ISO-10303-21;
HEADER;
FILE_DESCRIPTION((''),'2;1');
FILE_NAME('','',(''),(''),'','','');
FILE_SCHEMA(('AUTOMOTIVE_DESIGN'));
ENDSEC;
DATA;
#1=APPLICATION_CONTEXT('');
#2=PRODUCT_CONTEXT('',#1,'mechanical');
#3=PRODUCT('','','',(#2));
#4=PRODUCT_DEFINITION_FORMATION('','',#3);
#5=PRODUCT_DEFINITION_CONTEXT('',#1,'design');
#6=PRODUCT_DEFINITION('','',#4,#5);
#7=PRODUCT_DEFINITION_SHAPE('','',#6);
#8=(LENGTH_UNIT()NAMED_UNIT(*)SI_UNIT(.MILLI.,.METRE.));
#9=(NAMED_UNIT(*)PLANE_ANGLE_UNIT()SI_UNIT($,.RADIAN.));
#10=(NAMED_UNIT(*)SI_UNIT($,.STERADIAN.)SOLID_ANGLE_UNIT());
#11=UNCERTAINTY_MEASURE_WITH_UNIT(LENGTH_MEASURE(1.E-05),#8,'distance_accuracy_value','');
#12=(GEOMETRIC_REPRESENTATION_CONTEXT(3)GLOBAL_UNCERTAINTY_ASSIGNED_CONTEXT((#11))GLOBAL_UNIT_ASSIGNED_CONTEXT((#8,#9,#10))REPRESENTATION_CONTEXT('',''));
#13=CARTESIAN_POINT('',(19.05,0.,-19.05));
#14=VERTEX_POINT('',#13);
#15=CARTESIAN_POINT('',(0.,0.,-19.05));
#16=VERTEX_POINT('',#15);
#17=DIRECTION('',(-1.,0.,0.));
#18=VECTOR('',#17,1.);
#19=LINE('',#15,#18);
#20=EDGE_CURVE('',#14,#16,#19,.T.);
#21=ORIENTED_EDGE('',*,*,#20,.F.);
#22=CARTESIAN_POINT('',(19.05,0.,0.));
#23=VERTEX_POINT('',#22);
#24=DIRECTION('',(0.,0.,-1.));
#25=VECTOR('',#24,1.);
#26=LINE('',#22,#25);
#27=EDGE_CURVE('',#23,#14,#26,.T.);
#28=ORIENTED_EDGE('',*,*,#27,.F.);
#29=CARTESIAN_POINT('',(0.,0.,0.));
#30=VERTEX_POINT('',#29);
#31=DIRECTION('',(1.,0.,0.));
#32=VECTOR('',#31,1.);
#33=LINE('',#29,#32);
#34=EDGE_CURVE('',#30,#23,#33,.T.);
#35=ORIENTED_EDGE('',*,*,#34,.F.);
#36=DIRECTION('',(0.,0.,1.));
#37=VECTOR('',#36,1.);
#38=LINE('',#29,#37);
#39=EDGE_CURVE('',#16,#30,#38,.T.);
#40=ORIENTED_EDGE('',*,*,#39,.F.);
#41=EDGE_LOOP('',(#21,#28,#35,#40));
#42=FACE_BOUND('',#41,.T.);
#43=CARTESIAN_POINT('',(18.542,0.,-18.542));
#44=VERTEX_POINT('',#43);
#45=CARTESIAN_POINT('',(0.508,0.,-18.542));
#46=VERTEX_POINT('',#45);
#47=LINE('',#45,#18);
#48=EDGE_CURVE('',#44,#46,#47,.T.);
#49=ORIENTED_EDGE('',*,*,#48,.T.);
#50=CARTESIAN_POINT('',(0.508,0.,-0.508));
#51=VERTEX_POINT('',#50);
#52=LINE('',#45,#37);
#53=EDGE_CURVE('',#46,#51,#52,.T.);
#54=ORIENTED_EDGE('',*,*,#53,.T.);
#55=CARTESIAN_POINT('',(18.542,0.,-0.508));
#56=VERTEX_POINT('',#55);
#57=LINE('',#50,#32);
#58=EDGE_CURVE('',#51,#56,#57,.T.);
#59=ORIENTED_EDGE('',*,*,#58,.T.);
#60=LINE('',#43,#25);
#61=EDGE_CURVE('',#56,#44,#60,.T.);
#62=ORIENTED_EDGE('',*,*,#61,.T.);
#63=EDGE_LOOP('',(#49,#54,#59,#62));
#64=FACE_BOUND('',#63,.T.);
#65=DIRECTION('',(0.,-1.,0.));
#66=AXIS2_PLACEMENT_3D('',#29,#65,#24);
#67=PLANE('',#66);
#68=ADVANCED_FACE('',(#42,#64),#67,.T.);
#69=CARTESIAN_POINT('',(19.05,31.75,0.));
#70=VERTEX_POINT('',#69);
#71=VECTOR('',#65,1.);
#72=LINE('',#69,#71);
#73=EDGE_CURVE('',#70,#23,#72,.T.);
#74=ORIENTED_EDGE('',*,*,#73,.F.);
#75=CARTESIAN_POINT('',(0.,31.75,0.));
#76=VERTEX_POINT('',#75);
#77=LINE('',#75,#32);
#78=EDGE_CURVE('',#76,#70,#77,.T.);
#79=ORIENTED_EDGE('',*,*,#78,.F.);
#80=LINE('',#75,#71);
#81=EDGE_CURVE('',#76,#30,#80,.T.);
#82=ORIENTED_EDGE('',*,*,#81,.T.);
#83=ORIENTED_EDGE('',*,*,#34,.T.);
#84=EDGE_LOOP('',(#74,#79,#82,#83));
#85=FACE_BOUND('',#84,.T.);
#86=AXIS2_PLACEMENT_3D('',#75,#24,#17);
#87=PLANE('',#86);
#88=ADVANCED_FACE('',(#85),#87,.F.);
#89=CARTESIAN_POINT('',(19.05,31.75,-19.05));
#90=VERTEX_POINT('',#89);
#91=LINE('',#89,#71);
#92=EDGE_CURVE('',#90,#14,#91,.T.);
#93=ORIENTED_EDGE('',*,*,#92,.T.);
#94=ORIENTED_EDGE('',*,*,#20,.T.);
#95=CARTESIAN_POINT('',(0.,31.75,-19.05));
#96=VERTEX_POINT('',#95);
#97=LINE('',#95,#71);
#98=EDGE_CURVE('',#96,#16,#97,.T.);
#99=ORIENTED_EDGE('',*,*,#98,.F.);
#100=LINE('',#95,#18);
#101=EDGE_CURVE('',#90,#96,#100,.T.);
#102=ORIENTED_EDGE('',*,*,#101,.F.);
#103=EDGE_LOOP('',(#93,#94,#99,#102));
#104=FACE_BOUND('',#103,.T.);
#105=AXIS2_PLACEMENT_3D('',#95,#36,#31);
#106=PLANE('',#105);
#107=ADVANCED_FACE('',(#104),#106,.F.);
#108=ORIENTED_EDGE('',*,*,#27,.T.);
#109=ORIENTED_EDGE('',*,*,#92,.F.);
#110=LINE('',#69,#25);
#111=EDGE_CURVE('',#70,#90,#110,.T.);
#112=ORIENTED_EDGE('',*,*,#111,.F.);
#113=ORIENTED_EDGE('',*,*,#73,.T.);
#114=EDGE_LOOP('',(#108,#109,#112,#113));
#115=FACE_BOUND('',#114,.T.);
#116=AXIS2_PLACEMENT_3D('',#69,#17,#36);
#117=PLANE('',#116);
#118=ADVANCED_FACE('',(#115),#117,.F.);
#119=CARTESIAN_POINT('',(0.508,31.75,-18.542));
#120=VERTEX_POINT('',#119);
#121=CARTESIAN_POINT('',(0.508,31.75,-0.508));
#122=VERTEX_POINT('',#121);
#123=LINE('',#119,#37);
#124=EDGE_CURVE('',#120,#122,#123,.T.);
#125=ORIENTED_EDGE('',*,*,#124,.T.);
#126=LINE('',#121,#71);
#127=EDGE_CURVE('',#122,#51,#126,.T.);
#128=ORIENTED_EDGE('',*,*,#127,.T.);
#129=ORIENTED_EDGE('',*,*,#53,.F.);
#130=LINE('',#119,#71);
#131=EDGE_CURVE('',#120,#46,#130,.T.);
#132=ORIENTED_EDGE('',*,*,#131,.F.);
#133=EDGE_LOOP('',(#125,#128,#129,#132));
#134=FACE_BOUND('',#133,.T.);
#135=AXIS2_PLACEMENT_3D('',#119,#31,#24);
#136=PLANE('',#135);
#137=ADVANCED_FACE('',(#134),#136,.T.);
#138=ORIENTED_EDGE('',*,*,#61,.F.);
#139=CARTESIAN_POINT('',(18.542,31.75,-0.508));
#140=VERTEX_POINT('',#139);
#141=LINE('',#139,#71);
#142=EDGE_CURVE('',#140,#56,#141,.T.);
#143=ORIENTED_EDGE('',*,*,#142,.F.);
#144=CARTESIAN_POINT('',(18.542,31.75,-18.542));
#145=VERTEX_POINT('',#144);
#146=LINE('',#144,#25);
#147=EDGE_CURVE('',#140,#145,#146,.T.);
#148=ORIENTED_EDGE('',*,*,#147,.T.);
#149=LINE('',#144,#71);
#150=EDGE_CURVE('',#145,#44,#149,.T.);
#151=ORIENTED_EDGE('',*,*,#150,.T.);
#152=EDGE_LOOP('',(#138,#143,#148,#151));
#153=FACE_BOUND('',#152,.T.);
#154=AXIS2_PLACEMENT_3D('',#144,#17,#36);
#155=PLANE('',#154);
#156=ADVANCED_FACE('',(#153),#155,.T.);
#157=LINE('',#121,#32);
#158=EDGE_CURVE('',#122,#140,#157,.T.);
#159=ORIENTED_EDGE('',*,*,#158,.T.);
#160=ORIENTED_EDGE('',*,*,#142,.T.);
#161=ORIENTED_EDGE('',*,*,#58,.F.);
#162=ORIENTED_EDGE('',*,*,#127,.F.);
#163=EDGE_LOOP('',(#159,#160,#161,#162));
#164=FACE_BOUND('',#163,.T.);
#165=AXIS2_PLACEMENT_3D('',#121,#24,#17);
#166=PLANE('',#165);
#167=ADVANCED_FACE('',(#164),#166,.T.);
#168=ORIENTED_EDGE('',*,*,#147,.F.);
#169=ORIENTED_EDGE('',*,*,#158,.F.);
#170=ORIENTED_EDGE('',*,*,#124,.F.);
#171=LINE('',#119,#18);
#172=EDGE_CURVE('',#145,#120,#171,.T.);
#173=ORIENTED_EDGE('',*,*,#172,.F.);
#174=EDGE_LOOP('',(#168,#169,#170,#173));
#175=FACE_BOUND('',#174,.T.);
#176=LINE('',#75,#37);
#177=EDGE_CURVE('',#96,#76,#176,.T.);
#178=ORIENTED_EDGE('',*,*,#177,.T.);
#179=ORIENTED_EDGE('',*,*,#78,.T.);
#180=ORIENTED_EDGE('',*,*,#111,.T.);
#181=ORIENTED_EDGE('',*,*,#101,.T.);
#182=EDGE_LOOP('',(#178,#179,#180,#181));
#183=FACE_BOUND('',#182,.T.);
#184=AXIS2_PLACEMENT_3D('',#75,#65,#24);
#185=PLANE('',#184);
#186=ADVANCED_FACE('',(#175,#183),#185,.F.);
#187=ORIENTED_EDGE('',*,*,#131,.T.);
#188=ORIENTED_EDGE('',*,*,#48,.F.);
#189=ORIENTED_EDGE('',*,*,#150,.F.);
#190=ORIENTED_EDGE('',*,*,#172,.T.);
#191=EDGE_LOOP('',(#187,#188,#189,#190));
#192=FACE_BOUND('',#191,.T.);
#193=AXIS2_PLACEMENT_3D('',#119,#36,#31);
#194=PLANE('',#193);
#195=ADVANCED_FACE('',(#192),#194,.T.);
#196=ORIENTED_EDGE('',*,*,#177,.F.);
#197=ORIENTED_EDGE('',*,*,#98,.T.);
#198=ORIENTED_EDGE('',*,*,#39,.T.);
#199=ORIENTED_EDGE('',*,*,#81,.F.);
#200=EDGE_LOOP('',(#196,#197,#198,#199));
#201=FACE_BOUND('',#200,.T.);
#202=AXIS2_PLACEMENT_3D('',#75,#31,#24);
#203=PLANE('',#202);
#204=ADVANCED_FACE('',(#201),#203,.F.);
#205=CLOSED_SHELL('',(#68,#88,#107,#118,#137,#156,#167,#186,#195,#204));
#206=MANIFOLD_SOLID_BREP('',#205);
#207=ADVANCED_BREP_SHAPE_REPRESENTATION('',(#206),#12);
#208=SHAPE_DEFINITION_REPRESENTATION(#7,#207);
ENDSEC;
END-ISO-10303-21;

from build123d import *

# Parameters (mm, degrees)
SKETCH1_W           = 19.05
SKETCH1_H           = 19.05
SKETCH1_W_2         = 18.034
SKETCH1_H_2         = 18.034
BOSS_EXTRUDE1_DEPTH = 31.75


with BuildPart() as part:
    # Sketch1 → Boss-Extrude1 (new body)
    with BuildSketch(Plane(origin=(0, 0, 0), x_dir=(1, 0, 0), z_dir=(0, 1, 0))):
        with Locations((9.525, 9.525)):
            Rectangle(SKETCH1_W, SKETCH1_H)
        with Locations((9.525, 9.525)):
            Rectangle(SKETCH1_W_2, SKETCH1_H_2, mode=Mode.SUBTRACT)
    extrude(amount=BOSS_EXTRUDE1_DEPTH)


solid = part.part
